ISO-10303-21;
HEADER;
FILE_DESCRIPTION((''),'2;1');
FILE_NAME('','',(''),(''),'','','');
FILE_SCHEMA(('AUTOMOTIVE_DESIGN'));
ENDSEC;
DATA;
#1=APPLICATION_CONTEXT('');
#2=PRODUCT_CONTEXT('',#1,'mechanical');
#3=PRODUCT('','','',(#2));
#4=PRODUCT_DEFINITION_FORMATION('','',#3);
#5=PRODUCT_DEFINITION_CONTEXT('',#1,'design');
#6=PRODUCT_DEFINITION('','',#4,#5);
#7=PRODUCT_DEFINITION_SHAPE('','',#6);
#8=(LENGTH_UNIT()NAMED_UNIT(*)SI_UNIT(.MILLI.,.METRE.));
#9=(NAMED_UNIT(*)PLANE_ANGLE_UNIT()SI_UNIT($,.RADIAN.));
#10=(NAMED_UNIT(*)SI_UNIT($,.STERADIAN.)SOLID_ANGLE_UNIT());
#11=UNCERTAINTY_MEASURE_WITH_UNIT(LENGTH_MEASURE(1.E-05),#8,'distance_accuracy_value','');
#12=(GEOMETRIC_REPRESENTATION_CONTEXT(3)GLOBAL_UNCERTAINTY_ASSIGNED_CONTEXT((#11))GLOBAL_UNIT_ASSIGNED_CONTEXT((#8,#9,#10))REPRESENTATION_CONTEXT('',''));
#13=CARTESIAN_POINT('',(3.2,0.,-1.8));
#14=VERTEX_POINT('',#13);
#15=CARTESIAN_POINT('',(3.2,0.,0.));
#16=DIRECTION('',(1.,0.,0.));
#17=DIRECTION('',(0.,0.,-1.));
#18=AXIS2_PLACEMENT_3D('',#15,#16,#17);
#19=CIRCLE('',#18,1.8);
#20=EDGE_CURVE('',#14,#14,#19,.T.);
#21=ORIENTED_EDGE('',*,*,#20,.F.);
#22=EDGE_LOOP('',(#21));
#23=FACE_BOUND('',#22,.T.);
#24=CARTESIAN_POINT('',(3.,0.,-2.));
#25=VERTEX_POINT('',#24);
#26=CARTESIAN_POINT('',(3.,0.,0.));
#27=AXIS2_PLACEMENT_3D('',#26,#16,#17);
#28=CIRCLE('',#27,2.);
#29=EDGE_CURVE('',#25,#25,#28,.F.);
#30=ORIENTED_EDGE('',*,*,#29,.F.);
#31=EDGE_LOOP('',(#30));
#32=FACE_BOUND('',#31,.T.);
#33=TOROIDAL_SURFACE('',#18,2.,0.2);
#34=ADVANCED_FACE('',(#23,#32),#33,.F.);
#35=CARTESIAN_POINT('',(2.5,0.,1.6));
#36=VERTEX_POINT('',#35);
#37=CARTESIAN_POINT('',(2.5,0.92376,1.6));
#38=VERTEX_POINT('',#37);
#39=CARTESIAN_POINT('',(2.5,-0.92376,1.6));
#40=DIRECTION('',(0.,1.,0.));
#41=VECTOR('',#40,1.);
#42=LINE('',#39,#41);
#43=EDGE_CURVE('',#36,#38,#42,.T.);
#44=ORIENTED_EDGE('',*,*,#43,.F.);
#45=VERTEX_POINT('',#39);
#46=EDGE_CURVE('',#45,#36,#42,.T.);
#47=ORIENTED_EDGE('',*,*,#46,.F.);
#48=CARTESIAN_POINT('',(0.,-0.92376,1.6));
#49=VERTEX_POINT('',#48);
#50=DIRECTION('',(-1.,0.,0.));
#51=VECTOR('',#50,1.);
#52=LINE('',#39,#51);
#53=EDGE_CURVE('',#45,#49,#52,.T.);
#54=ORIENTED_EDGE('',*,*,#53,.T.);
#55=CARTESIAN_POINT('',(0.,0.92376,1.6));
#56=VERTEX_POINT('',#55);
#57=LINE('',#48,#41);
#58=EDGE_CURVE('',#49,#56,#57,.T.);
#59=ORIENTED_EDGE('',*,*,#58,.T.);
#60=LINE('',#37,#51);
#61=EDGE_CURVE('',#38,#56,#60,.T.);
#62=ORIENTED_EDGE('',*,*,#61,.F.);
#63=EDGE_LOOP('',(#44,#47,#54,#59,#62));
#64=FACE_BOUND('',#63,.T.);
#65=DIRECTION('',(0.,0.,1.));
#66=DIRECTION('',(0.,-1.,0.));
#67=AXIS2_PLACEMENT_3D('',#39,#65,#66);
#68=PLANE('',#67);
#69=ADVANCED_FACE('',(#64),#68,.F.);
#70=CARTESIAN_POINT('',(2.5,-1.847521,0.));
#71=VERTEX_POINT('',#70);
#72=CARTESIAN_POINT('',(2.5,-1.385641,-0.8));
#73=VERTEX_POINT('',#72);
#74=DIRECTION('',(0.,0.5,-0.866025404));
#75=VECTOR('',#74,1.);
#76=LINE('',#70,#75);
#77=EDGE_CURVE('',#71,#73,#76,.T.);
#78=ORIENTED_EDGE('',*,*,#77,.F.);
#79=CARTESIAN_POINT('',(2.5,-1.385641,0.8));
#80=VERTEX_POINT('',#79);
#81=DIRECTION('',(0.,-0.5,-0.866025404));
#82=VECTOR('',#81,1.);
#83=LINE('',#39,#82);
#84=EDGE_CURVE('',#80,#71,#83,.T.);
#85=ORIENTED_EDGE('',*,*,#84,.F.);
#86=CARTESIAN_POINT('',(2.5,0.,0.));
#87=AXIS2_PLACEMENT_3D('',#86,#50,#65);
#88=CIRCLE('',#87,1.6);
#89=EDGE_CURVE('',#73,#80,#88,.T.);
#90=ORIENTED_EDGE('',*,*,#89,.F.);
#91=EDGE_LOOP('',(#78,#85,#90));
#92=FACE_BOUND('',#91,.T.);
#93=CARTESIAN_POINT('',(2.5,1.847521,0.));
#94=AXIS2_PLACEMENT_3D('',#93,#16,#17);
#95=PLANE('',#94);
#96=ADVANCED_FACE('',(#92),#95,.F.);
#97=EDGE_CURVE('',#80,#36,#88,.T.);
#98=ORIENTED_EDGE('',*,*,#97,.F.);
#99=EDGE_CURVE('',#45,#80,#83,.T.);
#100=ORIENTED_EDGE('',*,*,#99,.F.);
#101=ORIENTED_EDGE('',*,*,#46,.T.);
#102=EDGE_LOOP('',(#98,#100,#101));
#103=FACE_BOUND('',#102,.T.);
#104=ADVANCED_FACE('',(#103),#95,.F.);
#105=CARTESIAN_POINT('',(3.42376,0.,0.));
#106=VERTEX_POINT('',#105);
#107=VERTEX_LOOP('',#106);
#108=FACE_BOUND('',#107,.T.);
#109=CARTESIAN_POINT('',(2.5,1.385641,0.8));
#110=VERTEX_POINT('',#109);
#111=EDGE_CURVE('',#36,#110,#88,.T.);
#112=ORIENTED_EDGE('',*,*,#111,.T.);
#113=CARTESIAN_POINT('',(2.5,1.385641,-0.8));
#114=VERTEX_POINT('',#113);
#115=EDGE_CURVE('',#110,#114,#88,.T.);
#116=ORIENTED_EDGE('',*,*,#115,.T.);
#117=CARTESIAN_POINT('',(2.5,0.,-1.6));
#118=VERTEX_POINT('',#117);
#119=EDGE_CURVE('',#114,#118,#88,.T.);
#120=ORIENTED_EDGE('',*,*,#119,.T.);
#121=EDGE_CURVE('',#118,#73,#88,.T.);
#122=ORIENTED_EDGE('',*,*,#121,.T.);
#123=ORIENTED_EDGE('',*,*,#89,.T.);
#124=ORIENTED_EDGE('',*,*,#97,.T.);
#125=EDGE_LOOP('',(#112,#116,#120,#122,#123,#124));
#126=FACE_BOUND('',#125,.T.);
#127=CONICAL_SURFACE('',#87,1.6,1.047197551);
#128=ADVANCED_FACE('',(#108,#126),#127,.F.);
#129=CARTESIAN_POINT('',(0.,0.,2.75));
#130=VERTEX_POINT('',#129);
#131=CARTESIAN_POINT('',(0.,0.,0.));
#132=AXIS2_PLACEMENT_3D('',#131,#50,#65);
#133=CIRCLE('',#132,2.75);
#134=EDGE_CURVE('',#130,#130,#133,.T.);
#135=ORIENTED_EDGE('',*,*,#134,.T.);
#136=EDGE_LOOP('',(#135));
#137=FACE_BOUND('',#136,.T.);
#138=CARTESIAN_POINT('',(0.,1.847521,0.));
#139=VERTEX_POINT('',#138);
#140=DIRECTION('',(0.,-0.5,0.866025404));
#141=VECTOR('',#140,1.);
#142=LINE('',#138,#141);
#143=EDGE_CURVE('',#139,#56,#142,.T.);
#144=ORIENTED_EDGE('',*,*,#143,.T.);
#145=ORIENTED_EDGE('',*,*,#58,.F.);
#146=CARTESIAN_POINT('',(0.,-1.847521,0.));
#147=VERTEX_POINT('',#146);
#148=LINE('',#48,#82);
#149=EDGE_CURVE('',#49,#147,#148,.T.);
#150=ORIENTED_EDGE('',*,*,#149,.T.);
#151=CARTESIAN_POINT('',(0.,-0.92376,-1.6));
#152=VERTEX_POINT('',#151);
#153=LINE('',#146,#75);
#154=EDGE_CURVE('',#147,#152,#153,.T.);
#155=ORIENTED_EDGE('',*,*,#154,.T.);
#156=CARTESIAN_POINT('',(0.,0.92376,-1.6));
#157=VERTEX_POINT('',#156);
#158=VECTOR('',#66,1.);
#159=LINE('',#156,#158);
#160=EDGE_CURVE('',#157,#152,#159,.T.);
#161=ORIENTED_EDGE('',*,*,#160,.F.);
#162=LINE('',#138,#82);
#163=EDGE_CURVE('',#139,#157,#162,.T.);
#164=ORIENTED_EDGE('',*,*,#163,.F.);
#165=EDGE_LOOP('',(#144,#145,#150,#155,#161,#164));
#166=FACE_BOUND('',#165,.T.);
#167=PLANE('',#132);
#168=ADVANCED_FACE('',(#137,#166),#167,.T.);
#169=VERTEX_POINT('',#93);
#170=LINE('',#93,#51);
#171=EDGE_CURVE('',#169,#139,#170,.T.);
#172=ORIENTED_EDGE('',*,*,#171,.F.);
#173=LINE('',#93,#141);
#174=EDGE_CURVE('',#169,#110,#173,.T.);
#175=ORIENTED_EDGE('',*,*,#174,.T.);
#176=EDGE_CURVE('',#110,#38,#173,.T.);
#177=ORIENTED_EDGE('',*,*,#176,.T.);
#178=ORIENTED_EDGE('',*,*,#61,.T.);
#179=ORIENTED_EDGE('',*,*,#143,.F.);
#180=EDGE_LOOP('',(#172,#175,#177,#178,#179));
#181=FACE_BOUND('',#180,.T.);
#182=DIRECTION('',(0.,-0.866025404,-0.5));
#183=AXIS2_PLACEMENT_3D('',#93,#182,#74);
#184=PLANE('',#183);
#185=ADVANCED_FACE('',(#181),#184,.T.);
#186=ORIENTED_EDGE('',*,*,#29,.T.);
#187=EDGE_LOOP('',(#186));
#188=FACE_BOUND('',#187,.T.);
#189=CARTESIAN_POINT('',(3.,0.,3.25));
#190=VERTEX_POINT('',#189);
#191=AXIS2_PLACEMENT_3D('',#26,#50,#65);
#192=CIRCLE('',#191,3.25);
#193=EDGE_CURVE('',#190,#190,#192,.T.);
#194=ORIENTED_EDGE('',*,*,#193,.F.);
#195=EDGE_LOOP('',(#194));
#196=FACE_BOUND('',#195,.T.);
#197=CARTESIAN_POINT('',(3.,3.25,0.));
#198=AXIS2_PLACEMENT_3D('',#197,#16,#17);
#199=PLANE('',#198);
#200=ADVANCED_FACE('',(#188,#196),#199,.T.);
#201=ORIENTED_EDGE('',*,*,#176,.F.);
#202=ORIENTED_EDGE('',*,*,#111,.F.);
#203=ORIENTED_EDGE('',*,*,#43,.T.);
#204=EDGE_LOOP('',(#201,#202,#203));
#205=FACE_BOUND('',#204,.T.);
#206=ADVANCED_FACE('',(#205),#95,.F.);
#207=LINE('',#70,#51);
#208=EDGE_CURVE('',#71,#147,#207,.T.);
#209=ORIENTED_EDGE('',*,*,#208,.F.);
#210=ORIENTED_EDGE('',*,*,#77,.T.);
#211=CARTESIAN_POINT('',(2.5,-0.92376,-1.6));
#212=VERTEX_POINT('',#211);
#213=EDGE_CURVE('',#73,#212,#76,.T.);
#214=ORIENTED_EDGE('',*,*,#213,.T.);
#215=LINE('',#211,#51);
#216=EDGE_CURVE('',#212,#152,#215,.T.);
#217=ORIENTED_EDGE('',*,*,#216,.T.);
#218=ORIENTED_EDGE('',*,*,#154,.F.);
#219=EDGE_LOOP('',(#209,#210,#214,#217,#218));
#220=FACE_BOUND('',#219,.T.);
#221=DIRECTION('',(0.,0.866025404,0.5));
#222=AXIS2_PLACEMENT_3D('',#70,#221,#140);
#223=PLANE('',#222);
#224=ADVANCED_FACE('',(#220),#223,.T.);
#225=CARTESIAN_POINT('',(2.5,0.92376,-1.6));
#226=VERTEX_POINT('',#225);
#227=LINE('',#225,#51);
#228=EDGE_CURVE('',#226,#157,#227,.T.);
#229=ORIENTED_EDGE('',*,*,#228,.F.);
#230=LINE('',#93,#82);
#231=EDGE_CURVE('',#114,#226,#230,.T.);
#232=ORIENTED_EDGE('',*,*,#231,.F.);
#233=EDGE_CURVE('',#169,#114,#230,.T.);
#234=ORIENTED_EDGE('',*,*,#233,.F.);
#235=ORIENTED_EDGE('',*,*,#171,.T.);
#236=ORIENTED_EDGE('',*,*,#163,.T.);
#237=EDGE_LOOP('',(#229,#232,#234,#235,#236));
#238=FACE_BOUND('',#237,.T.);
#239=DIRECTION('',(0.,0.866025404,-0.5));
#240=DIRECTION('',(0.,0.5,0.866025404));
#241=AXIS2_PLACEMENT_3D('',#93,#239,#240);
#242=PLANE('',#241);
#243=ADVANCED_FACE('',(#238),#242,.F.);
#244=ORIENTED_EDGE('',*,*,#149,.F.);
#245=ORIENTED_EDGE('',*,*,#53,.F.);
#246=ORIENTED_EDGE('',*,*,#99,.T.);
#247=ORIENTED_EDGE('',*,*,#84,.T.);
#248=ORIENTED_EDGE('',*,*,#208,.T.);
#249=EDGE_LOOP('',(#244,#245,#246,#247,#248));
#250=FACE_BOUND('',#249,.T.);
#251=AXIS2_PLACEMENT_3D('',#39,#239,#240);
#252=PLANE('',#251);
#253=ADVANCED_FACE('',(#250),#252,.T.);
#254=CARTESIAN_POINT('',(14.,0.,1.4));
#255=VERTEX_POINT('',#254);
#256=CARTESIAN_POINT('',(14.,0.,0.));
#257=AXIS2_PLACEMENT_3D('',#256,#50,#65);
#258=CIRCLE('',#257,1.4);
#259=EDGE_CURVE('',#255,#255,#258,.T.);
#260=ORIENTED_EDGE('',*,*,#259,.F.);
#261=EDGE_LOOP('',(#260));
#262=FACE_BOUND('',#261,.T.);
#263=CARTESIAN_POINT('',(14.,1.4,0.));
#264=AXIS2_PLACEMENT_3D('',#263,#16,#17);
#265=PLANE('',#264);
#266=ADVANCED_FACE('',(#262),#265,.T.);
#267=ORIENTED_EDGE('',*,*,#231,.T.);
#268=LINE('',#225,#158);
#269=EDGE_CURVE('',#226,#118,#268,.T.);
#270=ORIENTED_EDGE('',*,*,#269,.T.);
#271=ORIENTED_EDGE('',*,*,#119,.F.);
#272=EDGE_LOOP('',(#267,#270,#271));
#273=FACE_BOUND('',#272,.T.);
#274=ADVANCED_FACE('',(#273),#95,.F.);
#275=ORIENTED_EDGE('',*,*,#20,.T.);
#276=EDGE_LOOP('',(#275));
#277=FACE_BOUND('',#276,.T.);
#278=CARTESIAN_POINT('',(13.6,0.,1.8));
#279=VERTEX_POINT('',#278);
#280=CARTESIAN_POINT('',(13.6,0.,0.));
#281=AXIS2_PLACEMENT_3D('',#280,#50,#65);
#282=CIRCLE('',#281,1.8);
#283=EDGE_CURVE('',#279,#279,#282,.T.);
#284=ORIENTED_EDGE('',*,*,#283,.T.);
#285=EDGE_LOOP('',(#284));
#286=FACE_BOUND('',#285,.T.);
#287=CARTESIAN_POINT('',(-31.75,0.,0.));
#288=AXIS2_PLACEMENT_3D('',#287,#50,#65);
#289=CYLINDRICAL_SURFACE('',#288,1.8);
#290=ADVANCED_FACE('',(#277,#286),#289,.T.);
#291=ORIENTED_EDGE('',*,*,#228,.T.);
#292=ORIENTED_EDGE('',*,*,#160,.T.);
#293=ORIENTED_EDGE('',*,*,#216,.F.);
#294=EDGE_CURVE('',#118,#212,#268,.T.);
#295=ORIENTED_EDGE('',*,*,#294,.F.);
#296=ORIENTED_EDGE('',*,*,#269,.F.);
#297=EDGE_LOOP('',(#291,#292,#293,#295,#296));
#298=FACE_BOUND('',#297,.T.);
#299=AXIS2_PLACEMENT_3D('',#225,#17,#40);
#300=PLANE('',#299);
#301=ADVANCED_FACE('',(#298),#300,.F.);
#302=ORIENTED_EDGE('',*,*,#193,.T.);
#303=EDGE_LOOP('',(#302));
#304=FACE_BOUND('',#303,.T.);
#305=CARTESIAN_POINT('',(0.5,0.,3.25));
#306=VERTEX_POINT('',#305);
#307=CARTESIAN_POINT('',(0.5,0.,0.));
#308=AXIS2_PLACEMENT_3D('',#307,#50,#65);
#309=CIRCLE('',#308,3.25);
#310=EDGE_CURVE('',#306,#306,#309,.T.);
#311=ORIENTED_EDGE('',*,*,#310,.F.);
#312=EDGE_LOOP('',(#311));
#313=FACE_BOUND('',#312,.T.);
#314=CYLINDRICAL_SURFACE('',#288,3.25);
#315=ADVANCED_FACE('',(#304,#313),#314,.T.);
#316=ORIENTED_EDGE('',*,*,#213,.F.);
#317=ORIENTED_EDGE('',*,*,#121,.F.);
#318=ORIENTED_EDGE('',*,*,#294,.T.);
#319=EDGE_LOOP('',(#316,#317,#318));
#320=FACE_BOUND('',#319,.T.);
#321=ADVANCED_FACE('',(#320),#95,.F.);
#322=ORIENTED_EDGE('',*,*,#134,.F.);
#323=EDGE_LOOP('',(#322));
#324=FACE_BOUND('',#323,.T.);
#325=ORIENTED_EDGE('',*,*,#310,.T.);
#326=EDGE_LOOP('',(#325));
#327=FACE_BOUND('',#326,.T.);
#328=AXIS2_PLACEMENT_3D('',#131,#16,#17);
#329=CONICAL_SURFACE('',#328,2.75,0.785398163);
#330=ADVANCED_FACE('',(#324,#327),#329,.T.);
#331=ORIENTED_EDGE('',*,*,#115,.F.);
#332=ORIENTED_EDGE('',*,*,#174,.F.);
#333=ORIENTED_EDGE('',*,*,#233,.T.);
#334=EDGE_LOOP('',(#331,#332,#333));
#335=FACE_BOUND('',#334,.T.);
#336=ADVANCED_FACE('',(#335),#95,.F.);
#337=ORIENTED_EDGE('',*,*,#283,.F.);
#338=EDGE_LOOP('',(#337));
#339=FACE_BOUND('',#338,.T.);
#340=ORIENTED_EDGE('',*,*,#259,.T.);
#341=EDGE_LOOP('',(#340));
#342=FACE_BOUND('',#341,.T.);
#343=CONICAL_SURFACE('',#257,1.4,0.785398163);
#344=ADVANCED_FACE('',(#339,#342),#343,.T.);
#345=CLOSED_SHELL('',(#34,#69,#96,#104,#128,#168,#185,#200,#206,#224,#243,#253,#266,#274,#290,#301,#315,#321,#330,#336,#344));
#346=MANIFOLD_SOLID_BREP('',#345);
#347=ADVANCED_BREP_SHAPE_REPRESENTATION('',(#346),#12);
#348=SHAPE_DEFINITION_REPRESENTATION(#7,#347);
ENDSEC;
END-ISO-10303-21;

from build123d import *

# Parameters (mm, degrees)
FILLET1_R   = 0.2
HEX_2_DEPTH = 2.5


with BuildPart() as part:
    # BodySke → Base-Revolve (revolve)
    with BuildSketch(Plane.XY):
        Polygon((0, 0), (0, 2.75), (0.5, 3.25), (3, 3.25), (3, 1.8), (13.6, 1.8), (14, 1.4), (14, 0), align=None)
    revolve(axis=Axis((-31.75, 0, 0), (1, 0, 0)))

    # Fillet1
    fillet1_edges = [part.edges().sort_by_distance(p)[0] for p in [
        (3, -1.8, 0),
    ]]
    fillet(fillet1_edges, radius=FILLET1_R)

    # Sketch2 → Hex-PreBroach (revolve, cut)
    with BuildSketch(Plane.XY):
        Polygon((0, 1.6), (2.5, 1.6), (3.423760431, 0), (0, 0), align=None)
    revolve(axis=Axis((0, 0, 0), (1, 0, 0)), mode=Mode.SUBTRACT)

    # Sketch3 → Hex 2 (cut)
    with BuildSketch(Plane(origin=(0, 0, 0), x_dir=(0, 0.5, 0.866025404), z_dir=(-1, 0, 0))):
        Polygon((0.923760431, 1.6), (-0.923760431, 1.6), (-1.847520861, 0), (-0.923760431, -1.6), (0.923760431, -1.6), (1.847520861, 0), align=None)
    extrude(amount=-HEX_2_DEPTH, mode=Mode.SUBTRACT)


solid = part.part
